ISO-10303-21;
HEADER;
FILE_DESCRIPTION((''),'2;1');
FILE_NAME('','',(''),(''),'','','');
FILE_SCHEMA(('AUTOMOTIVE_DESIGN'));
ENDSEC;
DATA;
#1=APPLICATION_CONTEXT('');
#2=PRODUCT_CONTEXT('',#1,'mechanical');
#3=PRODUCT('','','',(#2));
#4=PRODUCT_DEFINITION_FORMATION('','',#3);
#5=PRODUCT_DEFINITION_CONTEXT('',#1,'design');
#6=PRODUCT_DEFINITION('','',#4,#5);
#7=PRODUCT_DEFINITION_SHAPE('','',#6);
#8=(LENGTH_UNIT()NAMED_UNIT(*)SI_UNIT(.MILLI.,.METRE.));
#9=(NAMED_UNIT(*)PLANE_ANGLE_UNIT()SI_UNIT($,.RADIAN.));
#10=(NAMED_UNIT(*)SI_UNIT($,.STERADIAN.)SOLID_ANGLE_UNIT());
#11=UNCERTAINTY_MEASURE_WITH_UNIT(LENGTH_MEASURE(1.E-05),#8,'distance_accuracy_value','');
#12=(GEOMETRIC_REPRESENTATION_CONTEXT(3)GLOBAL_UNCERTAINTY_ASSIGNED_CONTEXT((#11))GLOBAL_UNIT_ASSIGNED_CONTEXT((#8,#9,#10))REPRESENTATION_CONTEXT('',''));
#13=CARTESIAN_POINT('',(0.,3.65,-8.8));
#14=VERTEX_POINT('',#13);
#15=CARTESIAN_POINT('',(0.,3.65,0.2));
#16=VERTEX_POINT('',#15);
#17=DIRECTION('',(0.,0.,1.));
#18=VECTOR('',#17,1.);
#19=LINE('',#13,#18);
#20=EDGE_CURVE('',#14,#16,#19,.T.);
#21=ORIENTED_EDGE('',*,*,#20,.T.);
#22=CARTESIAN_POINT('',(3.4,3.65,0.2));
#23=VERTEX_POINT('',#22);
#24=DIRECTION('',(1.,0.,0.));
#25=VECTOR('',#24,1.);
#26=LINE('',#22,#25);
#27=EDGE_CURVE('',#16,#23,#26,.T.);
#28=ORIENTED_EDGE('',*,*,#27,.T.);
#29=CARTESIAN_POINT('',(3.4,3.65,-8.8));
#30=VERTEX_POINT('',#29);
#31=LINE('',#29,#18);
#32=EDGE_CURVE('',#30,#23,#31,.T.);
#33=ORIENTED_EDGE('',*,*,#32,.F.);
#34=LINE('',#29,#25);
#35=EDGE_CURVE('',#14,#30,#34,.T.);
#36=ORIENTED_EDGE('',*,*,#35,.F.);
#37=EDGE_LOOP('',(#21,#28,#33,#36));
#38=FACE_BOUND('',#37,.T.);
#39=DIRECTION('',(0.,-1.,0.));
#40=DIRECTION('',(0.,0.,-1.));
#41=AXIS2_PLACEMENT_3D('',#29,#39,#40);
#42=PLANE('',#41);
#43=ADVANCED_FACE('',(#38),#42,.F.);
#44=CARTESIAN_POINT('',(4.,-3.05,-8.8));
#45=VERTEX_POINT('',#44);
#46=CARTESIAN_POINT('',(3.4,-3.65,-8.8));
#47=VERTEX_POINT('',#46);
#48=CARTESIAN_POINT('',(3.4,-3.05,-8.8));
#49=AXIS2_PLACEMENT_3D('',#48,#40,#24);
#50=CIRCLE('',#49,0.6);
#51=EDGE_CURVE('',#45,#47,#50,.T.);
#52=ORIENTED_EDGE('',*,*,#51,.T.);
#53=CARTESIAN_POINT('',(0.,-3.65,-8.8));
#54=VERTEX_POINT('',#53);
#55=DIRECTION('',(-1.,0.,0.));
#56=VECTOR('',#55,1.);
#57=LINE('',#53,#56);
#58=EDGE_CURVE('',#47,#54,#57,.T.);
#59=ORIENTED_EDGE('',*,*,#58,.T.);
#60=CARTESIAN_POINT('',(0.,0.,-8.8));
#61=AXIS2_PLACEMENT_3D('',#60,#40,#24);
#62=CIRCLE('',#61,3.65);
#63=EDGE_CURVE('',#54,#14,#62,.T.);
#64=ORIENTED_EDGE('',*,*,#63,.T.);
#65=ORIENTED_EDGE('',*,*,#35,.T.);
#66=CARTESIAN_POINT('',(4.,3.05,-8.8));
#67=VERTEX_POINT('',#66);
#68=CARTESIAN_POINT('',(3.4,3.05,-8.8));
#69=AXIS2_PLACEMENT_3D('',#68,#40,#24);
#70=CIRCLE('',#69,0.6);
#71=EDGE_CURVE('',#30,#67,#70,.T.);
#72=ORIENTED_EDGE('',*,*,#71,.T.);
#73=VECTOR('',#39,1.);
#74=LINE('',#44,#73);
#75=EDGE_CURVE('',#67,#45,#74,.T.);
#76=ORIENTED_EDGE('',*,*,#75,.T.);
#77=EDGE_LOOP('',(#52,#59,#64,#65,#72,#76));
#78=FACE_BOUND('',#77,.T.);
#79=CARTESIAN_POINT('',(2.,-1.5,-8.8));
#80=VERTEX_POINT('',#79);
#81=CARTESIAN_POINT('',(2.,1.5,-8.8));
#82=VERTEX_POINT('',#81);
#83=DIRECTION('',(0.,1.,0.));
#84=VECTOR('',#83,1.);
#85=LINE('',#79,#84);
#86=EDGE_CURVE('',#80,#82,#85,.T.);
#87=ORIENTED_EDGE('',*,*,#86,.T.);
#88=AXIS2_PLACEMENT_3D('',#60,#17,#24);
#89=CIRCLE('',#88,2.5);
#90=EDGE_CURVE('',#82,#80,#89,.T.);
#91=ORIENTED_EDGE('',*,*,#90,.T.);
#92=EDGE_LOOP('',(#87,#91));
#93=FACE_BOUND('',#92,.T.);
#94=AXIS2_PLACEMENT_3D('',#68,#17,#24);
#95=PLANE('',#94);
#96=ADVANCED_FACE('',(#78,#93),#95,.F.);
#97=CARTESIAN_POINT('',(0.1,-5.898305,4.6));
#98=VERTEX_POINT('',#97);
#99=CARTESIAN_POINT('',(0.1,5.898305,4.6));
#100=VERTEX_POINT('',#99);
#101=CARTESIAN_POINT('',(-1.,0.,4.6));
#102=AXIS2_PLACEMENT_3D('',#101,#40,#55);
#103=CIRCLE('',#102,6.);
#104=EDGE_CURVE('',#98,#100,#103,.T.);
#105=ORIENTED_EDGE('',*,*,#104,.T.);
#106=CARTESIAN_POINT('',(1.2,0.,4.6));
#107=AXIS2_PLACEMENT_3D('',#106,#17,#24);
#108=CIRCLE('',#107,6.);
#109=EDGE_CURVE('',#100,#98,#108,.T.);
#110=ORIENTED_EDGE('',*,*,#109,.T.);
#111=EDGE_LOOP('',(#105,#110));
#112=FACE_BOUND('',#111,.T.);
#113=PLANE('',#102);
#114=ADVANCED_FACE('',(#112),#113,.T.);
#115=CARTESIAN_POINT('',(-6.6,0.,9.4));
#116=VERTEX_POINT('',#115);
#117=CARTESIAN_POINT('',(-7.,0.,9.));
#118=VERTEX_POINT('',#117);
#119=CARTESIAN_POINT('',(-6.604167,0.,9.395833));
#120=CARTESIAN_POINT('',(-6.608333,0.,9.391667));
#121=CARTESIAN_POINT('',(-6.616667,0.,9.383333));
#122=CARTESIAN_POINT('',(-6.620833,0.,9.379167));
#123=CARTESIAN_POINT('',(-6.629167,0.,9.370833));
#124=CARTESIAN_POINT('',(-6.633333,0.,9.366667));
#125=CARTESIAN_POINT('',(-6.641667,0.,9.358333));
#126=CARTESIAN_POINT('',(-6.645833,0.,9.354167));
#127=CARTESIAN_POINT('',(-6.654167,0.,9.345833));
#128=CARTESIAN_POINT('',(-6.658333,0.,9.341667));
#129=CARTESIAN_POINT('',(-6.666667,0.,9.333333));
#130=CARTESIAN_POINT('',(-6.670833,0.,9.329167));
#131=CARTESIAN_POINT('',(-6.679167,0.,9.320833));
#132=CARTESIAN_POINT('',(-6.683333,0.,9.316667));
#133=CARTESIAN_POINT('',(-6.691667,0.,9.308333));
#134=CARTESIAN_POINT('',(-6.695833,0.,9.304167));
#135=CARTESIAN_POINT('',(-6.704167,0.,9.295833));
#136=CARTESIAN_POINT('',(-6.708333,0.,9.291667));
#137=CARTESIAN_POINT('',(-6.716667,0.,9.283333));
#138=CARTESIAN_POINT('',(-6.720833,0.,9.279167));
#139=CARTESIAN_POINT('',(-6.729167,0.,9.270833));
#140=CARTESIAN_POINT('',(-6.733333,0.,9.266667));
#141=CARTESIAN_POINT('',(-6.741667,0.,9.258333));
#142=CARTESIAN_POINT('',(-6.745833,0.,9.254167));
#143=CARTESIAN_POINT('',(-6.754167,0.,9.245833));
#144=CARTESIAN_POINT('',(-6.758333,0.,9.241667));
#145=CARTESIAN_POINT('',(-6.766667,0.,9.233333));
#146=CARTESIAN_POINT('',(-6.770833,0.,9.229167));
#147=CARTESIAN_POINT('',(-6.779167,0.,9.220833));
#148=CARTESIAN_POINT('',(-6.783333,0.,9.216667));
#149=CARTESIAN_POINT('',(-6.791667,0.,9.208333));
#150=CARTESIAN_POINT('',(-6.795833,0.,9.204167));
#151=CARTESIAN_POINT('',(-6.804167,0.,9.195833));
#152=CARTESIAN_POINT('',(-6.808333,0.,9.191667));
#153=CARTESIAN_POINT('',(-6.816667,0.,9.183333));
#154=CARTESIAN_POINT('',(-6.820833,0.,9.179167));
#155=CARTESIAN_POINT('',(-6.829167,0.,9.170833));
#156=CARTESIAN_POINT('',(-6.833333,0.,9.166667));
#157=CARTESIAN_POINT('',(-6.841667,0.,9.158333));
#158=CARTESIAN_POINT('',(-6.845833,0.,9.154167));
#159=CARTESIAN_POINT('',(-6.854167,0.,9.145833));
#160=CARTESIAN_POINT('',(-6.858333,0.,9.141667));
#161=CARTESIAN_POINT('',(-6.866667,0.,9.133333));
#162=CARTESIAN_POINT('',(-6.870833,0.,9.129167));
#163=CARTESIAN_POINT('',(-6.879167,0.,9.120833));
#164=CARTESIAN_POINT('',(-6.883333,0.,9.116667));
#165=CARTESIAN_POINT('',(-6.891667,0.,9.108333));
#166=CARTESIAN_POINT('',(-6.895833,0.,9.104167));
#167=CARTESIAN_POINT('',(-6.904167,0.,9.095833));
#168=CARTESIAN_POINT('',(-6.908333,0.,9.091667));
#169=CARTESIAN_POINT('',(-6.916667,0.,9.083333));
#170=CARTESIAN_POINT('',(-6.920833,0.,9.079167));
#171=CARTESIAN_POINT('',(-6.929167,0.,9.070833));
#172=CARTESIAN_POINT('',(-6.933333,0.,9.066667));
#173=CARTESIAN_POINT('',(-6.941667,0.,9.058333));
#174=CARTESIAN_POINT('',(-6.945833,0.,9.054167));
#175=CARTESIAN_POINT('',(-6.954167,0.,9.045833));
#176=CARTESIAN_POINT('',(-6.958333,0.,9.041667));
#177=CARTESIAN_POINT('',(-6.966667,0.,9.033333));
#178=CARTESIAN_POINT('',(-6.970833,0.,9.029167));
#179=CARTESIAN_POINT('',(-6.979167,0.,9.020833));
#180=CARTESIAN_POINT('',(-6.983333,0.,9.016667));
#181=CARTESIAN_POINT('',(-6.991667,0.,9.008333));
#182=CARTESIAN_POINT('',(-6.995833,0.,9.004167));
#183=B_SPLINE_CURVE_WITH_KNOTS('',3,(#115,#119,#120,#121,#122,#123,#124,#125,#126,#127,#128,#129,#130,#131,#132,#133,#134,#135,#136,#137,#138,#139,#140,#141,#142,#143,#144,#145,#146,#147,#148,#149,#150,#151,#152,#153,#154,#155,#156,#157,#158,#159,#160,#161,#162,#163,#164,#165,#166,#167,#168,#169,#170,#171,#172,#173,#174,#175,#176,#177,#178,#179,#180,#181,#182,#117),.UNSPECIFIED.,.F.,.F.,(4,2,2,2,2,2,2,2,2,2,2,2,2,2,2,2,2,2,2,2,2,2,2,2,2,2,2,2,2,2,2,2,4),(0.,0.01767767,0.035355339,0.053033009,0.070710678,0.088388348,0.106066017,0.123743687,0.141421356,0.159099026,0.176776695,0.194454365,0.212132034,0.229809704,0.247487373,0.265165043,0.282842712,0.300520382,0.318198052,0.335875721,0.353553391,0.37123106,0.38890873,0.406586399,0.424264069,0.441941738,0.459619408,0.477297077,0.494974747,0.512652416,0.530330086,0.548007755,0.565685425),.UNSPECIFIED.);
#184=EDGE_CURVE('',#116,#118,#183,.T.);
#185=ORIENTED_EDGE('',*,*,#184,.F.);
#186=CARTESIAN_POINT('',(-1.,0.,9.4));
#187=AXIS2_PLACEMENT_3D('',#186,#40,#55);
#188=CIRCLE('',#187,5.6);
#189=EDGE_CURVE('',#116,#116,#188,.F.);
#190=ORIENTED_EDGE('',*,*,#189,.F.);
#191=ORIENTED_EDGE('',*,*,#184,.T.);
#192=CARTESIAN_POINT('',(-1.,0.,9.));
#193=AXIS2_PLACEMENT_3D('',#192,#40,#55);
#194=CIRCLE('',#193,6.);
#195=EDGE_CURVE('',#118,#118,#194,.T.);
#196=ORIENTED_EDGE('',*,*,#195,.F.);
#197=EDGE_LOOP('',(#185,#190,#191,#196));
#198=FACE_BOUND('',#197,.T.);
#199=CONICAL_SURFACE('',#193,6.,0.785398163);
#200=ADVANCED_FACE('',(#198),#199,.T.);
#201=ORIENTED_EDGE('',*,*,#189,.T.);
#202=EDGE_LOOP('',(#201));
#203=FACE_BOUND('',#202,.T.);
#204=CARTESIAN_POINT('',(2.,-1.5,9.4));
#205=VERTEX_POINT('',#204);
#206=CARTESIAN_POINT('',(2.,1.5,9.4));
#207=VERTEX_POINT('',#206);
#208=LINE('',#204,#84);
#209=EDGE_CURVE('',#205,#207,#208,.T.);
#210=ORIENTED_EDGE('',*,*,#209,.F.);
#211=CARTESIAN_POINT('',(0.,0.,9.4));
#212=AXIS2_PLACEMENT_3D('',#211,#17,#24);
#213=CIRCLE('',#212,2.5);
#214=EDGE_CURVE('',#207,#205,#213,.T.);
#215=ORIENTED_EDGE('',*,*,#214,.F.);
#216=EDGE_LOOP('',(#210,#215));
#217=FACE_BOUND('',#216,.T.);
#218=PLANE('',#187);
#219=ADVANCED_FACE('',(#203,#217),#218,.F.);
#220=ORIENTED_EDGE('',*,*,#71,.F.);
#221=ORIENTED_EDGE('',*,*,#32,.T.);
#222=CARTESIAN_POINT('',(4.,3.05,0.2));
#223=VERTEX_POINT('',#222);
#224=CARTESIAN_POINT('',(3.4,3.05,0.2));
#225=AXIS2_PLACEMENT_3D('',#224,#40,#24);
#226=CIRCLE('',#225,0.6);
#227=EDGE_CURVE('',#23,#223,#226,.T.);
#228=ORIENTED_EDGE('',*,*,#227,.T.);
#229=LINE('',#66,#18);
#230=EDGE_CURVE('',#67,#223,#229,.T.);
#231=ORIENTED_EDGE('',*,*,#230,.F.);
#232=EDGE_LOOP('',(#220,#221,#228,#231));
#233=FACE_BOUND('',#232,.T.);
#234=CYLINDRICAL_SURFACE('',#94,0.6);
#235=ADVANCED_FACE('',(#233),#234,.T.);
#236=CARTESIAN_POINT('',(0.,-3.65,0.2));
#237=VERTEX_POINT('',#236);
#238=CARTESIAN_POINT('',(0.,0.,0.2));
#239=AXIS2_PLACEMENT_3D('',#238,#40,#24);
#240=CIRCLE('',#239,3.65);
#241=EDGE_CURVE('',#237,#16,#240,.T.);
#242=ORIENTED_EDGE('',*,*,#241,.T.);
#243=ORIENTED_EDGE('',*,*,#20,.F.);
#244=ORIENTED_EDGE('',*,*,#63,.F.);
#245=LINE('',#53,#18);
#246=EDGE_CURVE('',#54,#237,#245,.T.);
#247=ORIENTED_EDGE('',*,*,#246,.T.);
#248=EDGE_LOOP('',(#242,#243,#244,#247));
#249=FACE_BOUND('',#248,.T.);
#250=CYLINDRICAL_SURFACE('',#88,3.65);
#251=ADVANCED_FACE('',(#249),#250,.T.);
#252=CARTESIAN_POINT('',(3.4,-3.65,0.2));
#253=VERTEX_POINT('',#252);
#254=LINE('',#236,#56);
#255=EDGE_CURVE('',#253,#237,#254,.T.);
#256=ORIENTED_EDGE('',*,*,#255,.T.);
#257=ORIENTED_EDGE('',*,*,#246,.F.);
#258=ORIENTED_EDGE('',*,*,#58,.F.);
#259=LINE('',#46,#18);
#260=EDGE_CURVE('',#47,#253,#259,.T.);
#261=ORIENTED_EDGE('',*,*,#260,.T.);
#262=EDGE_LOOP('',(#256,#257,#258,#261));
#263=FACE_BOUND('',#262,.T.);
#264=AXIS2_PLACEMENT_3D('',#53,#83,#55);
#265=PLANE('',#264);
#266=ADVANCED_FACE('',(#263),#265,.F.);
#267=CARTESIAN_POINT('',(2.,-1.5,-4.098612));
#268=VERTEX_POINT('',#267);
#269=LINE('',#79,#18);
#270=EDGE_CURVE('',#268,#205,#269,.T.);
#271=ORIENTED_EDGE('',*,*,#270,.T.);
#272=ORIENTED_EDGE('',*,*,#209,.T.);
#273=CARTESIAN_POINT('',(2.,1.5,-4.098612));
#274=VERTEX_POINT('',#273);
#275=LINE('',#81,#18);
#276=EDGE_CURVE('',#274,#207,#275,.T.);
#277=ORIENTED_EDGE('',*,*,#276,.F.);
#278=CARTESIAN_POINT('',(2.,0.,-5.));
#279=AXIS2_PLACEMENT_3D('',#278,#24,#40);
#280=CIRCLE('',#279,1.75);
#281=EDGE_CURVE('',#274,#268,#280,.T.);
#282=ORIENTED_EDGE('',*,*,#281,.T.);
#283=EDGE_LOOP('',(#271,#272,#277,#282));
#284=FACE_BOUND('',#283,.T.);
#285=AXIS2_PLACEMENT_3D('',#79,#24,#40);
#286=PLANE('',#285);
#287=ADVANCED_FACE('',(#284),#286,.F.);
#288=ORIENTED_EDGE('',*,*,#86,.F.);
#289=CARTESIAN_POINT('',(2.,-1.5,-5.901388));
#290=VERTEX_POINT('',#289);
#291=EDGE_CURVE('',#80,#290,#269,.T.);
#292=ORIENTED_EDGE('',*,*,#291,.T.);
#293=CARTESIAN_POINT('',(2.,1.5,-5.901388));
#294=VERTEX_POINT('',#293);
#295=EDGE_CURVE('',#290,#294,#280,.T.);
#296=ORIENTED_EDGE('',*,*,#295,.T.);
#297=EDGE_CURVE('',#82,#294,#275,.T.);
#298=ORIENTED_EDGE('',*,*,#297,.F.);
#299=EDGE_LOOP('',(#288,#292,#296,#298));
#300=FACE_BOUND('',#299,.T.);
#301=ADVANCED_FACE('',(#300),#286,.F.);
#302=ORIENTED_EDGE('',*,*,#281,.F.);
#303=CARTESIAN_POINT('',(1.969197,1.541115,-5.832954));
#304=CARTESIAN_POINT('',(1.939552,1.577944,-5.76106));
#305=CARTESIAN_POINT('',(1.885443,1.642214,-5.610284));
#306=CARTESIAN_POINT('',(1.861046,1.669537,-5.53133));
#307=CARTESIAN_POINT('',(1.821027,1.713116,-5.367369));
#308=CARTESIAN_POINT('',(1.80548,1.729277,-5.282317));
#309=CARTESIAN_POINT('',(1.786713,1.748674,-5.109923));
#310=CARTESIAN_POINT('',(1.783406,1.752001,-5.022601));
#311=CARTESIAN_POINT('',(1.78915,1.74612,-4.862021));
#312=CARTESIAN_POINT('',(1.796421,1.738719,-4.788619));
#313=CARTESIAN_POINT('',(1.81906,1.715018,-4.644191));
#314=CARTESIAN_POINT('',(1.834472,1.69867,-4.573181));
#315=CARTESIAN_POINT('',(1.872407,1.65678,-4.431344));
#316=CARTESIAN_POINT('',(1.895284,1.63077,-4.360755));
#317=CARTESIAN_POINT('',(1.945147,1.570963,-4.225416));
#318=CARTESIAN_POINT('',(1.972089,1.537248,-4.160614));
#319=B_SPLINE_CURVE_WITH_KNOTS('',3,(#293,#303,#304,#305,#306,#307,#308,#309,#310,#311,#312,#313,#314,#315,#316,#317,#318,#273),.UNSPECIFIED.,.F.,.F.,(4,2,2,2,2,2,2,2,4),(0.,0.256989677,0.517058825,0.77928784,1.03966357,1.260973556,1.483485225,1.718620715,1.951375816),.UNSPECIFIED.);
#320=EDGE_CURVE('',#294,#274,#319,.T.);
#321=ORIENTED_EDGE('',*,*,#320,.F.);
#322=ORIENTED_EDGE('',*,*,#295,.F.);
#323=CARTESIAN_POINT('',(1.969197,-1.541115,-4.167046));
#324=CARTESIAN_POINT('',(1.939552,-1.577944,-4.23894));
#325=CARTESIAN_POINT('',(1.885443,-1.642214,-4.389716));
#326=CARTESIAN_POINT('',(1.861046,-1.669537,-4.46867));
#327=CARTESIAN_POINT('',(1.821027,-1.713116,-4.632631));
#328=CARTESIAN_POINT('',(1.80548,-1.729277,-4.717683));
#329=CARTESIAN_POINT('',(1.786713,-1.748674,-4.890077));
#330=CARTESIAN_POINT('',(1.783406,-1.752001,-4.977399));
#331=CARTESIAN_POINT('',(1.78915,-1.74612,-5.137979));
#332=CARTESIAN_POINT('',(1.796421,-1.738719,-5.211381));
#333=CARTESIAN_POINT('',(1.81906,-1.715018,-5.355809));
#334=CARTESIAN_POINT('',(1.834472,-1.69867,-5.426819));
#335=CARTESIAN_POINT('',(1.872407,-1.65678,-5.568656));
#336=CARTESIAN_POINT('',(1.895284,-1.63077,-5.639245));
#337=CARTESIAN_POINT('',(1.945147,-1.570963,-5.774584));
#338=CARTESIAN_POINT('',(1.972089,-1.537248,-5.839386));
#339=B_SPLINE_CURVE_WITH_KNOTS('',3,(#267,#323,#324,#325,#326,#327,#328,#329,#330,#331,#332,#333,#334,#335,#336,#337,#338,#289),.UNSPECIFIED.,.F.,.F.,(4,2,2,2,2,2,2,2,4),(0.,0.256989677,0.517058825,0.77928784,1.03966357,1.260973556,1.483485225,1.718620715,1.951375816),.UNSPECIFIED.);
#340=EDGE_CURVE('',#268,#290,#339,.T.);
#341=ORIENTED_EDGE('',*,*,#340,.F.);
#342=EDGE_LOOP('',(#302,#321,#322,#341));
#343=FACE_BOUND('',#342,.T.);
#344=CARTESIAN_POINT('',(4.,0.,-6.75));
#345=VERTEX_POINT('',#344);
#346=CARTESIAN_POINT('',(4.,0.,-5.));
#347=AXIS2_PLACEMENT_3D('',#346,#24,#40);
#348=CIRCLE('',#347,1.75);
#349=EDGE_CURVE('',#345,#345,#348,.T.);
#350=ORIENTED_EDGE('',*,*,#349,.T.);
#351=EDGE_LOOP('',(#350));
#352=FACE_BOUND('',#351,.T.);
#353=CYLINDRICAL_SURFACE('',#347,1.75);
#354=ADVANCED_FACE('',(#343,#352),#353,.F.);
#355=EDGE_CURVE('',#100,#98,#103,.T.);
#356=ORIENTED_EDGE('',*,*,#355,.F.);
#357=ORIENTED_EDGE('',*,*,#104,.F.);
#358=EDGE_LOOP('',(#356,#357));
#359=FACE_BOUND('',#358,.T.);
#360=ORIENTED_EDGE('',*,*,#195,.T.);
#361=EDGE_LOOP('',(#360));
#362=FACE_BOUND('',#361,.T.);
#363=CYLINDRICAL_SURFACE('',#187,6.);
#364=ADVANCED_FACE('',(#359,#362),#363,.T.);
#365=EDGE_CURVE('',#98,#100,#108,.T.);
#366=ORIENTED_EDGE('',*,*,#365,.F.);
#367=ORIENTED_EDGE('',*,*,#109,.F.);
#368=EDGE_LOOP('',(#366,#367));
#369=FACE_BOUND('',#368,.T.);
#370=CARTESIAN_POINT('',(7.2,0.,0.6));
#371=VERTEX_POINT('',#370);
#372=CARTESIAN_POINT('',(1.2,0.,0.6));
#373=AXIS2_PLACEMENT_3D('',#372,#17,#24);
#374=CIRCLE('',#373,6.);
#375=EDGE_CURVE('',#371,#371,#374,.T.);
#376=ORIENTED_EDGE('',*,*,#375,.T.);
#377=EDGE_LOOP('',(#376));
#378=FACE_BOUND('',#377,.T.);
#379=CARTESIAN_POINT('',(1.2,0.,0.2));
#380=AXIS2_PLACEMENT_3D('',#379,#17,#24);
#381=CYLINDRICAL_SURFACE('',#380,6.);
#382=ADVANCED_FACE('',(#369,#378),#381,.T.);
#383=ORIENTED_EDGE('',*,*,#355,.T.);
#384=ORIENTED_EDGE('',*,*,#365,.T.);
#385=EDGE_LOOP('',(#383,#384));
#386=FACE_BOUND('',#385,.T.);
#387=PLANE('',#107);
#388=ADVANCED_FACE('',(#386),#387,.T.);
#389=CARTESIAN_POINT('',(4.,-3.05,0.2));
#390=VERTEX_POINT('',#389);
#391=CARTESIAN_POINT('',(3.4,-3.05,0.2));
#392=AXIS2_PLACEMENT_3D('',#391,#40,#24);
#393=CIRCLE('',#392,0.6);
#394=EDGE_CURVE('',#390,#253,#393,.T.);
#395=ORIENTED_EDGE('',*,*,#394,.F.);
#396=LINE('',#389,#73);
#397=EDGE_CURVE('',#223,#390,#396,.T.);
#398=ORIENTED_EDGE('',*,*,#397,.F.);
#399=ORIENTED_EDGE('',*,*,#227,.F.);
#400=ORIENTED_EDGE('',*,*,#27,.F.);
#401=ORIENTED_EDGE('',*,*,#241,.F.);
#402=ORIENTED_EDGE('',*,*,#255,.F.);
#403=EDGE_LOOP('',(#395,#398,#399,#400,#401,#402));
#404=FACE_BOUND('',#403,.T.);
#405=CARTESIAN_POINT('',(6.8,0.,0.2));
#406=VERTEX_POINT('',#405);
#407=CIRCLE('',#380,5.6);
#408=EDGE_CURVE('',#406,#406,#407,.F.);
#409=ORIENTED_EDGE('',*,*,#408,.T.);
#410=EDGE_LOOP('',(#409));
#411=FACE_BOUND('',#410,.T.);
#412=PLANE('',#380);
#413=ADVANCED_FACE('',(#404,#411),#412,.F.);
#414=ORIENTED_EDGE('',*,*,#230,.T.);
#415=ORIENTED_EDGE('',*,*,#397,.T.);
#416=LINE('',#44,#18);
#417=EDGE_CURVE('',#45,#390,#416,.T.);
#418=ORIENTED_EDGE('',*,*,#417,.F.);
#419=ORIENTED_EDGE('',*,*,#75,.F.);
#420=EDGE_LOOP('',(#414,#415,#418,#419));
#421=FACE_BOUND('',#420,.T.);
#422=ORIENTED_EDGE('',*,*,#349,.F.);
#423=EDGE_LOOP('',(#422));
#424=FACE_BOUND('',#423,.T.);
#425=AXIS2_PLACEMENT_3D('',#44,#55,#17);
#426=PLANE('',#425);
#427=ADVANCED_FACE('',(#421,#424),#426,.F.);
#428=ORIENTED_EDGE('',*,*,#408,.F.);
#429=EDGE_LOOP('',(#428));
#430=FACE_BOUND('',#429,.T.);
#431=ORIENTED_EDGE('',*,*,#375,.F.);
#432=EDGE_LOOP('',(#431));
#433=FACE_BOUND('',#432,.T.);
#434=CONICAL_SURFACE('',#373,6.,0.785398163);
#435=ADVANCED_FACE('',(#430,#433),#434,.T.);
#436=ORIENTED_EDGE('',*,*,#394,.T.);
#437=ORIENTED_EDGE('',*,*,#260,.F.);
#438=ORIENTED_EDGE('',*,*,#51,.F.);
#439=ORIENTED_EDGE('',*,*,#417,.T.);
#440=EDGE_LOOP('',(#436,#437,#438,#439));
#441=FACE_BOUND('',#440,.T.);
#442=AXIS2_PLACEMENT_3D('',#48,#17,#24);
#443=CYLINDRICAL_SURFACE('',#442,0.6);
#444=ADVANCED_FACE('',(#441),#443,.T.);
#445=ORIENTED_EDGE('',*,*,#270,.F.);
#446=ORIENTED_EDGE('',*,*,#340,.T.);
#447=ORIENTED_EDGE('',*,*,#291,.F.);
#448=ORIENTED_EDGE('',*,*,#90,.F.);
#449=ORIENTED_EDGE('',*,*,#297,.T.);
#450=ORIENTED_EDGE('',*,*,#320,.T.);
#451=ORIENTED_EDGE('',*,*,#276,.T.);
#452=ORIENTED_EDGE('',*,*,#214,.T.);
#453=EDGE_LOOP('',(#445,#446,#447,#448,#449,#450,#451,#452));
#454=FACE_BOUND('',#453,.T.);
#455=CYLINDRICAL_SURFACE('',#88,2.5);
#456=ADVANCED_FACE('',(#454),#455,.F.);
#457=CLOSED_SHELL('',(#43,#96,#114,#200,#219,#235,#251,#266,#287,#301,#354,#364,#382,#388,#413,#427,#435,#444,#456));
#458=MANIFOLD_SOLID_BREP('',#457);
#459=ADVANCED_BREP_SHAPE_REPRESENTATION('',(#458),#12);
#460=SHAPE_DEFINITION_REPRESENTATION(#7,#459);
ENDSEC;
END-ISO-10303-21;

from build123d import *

# Parameters (mm, degrees)
BOSS_EXTRUDE4_DEPTH            = 4.2
BOSS_EXTRUDE4_DEPTH_BACK       = 0.2
SKETCH10_R                     = 6
BOSS_EXTRUDE5_DEPTH            = 9
SKETCH16_R                     = 6
BOSS_EXTRUDE6_DEPTH            = 4.8
CUT_EXTRUDE2_DEPTH             = 21.471443525
F_3_5_3_5_DIAMETER_HOLE0_D     = 3.5
F_3_5_3_5_DIAMETER_HOLE0_DEPTH = 4
F_3_5_3_5_DIAMETER_HOLE0_TIP   = 1.051506083
CHAMFER2_SIZE                  = 0.4


with BuildPart() as part:
    # Sketch10 → Boss-Extrude4 (new, two sides: drawn at the far end of the back side and taken through both)
    with BuildSketch(Plane.XY.offset(0.4).offset(-BOSS_EXTRUDE4_DEPTH_BACK)):
        with Locations((1.2, 0)):
            Circle(SKETCH10_R)
    extrude(amount=BOSS_EXTRUDE4_DEPTH + BOSS_EXTRUDE4_DEPTH_BACK)

    # Sketch11 → Boss-Extrude5 (add)
    with BuildSketch(Plane(origin=(0, 0, 0.2), x_dir=(-1, 0, 0), z_dir=(0, 0, -1))):
        with BuildLine():
            Line((-4, -3.05), (-4, 3.05))
            ThreePointArc((-4, 3.05), (-3.824264069, 3.474264069), (-3.4, 3.65))
            Line((-3.4, 3.65), (0, 3.65))
            ThreePointArc((0, 3.65), (3.65, 0), (0, -3.65))
            Line((0, -3.65), (-3.4, -3.65))
            ThreePointArc((-3.4, -3.65), (-3.824264069, -3.474264069), (-4, -3.05))
        make_face()
    extrude(amount=BOSS_EXTRUDE5_DEPTH)

    # Sketch16 → Boss-Extrude6 (add)
    with BuildSketch(Plane(origin=(0, 0, 4.6), x_dir=(-1, 0, 0), z_dir=(0, 0, -1))):
        with Locations((1, 0)):
            Circle(SKETCH16_R)
    extrude(amount=-BOSS_EXTRUDE6_DEPTH)

    # Sketch17 → Cut-Extrude2 (cut, through all)
    with BuildSketch(Plane.XY.offset(9.4)):
        with BuildLine():
            Line((2, -1.5), (2, 1.5))
            ThreePointArc((2, 1.5), (-2.5, 0), (2, -1.5))
        make_face()
    extrude(amount=-CUT_EXTRUDE2_DEPTH, mode=Mode.SUBTRACT)

    # Ø3.5 (3.5) Diameter Hole0
    with Locations(Plane(origin=(4, 0, 0), x_dir=(0, 0, -1), z_dir=(1, 0, 0))):
        with Locations((5, 0)):
            Hole(F_3_5_3_5_DIAMETER_HOLE0_D / 2, depth=F_3_5_3_5_DIAMETER_HOLE0_DEPTH)
            with Locations((0, 0, -(F_3_5_3_5_DIAMETER_HOLE0_DEPTH + F_3_5_3_5_DIAMETER_HOLE0_TIP / 2))):  # 118° drill point
                Cone(0, F_3_5_3_5_DIAMETER_HOLE0_D / 2, F_3_5_3_5_DIAMETER_HOLE0_TIP, mode=Mode.SUBTRACT)

    # Chamfer2
    chamfer2_edges = [part.edges().sort_by_distance(p)[0] for p in [
        (5, 0, 9.4),
        (-4.8, 0, 0.2),
    ]]
    chamfer(chamfer2_edges, length=CHAMFER2_SIZE)


solid = part.part
